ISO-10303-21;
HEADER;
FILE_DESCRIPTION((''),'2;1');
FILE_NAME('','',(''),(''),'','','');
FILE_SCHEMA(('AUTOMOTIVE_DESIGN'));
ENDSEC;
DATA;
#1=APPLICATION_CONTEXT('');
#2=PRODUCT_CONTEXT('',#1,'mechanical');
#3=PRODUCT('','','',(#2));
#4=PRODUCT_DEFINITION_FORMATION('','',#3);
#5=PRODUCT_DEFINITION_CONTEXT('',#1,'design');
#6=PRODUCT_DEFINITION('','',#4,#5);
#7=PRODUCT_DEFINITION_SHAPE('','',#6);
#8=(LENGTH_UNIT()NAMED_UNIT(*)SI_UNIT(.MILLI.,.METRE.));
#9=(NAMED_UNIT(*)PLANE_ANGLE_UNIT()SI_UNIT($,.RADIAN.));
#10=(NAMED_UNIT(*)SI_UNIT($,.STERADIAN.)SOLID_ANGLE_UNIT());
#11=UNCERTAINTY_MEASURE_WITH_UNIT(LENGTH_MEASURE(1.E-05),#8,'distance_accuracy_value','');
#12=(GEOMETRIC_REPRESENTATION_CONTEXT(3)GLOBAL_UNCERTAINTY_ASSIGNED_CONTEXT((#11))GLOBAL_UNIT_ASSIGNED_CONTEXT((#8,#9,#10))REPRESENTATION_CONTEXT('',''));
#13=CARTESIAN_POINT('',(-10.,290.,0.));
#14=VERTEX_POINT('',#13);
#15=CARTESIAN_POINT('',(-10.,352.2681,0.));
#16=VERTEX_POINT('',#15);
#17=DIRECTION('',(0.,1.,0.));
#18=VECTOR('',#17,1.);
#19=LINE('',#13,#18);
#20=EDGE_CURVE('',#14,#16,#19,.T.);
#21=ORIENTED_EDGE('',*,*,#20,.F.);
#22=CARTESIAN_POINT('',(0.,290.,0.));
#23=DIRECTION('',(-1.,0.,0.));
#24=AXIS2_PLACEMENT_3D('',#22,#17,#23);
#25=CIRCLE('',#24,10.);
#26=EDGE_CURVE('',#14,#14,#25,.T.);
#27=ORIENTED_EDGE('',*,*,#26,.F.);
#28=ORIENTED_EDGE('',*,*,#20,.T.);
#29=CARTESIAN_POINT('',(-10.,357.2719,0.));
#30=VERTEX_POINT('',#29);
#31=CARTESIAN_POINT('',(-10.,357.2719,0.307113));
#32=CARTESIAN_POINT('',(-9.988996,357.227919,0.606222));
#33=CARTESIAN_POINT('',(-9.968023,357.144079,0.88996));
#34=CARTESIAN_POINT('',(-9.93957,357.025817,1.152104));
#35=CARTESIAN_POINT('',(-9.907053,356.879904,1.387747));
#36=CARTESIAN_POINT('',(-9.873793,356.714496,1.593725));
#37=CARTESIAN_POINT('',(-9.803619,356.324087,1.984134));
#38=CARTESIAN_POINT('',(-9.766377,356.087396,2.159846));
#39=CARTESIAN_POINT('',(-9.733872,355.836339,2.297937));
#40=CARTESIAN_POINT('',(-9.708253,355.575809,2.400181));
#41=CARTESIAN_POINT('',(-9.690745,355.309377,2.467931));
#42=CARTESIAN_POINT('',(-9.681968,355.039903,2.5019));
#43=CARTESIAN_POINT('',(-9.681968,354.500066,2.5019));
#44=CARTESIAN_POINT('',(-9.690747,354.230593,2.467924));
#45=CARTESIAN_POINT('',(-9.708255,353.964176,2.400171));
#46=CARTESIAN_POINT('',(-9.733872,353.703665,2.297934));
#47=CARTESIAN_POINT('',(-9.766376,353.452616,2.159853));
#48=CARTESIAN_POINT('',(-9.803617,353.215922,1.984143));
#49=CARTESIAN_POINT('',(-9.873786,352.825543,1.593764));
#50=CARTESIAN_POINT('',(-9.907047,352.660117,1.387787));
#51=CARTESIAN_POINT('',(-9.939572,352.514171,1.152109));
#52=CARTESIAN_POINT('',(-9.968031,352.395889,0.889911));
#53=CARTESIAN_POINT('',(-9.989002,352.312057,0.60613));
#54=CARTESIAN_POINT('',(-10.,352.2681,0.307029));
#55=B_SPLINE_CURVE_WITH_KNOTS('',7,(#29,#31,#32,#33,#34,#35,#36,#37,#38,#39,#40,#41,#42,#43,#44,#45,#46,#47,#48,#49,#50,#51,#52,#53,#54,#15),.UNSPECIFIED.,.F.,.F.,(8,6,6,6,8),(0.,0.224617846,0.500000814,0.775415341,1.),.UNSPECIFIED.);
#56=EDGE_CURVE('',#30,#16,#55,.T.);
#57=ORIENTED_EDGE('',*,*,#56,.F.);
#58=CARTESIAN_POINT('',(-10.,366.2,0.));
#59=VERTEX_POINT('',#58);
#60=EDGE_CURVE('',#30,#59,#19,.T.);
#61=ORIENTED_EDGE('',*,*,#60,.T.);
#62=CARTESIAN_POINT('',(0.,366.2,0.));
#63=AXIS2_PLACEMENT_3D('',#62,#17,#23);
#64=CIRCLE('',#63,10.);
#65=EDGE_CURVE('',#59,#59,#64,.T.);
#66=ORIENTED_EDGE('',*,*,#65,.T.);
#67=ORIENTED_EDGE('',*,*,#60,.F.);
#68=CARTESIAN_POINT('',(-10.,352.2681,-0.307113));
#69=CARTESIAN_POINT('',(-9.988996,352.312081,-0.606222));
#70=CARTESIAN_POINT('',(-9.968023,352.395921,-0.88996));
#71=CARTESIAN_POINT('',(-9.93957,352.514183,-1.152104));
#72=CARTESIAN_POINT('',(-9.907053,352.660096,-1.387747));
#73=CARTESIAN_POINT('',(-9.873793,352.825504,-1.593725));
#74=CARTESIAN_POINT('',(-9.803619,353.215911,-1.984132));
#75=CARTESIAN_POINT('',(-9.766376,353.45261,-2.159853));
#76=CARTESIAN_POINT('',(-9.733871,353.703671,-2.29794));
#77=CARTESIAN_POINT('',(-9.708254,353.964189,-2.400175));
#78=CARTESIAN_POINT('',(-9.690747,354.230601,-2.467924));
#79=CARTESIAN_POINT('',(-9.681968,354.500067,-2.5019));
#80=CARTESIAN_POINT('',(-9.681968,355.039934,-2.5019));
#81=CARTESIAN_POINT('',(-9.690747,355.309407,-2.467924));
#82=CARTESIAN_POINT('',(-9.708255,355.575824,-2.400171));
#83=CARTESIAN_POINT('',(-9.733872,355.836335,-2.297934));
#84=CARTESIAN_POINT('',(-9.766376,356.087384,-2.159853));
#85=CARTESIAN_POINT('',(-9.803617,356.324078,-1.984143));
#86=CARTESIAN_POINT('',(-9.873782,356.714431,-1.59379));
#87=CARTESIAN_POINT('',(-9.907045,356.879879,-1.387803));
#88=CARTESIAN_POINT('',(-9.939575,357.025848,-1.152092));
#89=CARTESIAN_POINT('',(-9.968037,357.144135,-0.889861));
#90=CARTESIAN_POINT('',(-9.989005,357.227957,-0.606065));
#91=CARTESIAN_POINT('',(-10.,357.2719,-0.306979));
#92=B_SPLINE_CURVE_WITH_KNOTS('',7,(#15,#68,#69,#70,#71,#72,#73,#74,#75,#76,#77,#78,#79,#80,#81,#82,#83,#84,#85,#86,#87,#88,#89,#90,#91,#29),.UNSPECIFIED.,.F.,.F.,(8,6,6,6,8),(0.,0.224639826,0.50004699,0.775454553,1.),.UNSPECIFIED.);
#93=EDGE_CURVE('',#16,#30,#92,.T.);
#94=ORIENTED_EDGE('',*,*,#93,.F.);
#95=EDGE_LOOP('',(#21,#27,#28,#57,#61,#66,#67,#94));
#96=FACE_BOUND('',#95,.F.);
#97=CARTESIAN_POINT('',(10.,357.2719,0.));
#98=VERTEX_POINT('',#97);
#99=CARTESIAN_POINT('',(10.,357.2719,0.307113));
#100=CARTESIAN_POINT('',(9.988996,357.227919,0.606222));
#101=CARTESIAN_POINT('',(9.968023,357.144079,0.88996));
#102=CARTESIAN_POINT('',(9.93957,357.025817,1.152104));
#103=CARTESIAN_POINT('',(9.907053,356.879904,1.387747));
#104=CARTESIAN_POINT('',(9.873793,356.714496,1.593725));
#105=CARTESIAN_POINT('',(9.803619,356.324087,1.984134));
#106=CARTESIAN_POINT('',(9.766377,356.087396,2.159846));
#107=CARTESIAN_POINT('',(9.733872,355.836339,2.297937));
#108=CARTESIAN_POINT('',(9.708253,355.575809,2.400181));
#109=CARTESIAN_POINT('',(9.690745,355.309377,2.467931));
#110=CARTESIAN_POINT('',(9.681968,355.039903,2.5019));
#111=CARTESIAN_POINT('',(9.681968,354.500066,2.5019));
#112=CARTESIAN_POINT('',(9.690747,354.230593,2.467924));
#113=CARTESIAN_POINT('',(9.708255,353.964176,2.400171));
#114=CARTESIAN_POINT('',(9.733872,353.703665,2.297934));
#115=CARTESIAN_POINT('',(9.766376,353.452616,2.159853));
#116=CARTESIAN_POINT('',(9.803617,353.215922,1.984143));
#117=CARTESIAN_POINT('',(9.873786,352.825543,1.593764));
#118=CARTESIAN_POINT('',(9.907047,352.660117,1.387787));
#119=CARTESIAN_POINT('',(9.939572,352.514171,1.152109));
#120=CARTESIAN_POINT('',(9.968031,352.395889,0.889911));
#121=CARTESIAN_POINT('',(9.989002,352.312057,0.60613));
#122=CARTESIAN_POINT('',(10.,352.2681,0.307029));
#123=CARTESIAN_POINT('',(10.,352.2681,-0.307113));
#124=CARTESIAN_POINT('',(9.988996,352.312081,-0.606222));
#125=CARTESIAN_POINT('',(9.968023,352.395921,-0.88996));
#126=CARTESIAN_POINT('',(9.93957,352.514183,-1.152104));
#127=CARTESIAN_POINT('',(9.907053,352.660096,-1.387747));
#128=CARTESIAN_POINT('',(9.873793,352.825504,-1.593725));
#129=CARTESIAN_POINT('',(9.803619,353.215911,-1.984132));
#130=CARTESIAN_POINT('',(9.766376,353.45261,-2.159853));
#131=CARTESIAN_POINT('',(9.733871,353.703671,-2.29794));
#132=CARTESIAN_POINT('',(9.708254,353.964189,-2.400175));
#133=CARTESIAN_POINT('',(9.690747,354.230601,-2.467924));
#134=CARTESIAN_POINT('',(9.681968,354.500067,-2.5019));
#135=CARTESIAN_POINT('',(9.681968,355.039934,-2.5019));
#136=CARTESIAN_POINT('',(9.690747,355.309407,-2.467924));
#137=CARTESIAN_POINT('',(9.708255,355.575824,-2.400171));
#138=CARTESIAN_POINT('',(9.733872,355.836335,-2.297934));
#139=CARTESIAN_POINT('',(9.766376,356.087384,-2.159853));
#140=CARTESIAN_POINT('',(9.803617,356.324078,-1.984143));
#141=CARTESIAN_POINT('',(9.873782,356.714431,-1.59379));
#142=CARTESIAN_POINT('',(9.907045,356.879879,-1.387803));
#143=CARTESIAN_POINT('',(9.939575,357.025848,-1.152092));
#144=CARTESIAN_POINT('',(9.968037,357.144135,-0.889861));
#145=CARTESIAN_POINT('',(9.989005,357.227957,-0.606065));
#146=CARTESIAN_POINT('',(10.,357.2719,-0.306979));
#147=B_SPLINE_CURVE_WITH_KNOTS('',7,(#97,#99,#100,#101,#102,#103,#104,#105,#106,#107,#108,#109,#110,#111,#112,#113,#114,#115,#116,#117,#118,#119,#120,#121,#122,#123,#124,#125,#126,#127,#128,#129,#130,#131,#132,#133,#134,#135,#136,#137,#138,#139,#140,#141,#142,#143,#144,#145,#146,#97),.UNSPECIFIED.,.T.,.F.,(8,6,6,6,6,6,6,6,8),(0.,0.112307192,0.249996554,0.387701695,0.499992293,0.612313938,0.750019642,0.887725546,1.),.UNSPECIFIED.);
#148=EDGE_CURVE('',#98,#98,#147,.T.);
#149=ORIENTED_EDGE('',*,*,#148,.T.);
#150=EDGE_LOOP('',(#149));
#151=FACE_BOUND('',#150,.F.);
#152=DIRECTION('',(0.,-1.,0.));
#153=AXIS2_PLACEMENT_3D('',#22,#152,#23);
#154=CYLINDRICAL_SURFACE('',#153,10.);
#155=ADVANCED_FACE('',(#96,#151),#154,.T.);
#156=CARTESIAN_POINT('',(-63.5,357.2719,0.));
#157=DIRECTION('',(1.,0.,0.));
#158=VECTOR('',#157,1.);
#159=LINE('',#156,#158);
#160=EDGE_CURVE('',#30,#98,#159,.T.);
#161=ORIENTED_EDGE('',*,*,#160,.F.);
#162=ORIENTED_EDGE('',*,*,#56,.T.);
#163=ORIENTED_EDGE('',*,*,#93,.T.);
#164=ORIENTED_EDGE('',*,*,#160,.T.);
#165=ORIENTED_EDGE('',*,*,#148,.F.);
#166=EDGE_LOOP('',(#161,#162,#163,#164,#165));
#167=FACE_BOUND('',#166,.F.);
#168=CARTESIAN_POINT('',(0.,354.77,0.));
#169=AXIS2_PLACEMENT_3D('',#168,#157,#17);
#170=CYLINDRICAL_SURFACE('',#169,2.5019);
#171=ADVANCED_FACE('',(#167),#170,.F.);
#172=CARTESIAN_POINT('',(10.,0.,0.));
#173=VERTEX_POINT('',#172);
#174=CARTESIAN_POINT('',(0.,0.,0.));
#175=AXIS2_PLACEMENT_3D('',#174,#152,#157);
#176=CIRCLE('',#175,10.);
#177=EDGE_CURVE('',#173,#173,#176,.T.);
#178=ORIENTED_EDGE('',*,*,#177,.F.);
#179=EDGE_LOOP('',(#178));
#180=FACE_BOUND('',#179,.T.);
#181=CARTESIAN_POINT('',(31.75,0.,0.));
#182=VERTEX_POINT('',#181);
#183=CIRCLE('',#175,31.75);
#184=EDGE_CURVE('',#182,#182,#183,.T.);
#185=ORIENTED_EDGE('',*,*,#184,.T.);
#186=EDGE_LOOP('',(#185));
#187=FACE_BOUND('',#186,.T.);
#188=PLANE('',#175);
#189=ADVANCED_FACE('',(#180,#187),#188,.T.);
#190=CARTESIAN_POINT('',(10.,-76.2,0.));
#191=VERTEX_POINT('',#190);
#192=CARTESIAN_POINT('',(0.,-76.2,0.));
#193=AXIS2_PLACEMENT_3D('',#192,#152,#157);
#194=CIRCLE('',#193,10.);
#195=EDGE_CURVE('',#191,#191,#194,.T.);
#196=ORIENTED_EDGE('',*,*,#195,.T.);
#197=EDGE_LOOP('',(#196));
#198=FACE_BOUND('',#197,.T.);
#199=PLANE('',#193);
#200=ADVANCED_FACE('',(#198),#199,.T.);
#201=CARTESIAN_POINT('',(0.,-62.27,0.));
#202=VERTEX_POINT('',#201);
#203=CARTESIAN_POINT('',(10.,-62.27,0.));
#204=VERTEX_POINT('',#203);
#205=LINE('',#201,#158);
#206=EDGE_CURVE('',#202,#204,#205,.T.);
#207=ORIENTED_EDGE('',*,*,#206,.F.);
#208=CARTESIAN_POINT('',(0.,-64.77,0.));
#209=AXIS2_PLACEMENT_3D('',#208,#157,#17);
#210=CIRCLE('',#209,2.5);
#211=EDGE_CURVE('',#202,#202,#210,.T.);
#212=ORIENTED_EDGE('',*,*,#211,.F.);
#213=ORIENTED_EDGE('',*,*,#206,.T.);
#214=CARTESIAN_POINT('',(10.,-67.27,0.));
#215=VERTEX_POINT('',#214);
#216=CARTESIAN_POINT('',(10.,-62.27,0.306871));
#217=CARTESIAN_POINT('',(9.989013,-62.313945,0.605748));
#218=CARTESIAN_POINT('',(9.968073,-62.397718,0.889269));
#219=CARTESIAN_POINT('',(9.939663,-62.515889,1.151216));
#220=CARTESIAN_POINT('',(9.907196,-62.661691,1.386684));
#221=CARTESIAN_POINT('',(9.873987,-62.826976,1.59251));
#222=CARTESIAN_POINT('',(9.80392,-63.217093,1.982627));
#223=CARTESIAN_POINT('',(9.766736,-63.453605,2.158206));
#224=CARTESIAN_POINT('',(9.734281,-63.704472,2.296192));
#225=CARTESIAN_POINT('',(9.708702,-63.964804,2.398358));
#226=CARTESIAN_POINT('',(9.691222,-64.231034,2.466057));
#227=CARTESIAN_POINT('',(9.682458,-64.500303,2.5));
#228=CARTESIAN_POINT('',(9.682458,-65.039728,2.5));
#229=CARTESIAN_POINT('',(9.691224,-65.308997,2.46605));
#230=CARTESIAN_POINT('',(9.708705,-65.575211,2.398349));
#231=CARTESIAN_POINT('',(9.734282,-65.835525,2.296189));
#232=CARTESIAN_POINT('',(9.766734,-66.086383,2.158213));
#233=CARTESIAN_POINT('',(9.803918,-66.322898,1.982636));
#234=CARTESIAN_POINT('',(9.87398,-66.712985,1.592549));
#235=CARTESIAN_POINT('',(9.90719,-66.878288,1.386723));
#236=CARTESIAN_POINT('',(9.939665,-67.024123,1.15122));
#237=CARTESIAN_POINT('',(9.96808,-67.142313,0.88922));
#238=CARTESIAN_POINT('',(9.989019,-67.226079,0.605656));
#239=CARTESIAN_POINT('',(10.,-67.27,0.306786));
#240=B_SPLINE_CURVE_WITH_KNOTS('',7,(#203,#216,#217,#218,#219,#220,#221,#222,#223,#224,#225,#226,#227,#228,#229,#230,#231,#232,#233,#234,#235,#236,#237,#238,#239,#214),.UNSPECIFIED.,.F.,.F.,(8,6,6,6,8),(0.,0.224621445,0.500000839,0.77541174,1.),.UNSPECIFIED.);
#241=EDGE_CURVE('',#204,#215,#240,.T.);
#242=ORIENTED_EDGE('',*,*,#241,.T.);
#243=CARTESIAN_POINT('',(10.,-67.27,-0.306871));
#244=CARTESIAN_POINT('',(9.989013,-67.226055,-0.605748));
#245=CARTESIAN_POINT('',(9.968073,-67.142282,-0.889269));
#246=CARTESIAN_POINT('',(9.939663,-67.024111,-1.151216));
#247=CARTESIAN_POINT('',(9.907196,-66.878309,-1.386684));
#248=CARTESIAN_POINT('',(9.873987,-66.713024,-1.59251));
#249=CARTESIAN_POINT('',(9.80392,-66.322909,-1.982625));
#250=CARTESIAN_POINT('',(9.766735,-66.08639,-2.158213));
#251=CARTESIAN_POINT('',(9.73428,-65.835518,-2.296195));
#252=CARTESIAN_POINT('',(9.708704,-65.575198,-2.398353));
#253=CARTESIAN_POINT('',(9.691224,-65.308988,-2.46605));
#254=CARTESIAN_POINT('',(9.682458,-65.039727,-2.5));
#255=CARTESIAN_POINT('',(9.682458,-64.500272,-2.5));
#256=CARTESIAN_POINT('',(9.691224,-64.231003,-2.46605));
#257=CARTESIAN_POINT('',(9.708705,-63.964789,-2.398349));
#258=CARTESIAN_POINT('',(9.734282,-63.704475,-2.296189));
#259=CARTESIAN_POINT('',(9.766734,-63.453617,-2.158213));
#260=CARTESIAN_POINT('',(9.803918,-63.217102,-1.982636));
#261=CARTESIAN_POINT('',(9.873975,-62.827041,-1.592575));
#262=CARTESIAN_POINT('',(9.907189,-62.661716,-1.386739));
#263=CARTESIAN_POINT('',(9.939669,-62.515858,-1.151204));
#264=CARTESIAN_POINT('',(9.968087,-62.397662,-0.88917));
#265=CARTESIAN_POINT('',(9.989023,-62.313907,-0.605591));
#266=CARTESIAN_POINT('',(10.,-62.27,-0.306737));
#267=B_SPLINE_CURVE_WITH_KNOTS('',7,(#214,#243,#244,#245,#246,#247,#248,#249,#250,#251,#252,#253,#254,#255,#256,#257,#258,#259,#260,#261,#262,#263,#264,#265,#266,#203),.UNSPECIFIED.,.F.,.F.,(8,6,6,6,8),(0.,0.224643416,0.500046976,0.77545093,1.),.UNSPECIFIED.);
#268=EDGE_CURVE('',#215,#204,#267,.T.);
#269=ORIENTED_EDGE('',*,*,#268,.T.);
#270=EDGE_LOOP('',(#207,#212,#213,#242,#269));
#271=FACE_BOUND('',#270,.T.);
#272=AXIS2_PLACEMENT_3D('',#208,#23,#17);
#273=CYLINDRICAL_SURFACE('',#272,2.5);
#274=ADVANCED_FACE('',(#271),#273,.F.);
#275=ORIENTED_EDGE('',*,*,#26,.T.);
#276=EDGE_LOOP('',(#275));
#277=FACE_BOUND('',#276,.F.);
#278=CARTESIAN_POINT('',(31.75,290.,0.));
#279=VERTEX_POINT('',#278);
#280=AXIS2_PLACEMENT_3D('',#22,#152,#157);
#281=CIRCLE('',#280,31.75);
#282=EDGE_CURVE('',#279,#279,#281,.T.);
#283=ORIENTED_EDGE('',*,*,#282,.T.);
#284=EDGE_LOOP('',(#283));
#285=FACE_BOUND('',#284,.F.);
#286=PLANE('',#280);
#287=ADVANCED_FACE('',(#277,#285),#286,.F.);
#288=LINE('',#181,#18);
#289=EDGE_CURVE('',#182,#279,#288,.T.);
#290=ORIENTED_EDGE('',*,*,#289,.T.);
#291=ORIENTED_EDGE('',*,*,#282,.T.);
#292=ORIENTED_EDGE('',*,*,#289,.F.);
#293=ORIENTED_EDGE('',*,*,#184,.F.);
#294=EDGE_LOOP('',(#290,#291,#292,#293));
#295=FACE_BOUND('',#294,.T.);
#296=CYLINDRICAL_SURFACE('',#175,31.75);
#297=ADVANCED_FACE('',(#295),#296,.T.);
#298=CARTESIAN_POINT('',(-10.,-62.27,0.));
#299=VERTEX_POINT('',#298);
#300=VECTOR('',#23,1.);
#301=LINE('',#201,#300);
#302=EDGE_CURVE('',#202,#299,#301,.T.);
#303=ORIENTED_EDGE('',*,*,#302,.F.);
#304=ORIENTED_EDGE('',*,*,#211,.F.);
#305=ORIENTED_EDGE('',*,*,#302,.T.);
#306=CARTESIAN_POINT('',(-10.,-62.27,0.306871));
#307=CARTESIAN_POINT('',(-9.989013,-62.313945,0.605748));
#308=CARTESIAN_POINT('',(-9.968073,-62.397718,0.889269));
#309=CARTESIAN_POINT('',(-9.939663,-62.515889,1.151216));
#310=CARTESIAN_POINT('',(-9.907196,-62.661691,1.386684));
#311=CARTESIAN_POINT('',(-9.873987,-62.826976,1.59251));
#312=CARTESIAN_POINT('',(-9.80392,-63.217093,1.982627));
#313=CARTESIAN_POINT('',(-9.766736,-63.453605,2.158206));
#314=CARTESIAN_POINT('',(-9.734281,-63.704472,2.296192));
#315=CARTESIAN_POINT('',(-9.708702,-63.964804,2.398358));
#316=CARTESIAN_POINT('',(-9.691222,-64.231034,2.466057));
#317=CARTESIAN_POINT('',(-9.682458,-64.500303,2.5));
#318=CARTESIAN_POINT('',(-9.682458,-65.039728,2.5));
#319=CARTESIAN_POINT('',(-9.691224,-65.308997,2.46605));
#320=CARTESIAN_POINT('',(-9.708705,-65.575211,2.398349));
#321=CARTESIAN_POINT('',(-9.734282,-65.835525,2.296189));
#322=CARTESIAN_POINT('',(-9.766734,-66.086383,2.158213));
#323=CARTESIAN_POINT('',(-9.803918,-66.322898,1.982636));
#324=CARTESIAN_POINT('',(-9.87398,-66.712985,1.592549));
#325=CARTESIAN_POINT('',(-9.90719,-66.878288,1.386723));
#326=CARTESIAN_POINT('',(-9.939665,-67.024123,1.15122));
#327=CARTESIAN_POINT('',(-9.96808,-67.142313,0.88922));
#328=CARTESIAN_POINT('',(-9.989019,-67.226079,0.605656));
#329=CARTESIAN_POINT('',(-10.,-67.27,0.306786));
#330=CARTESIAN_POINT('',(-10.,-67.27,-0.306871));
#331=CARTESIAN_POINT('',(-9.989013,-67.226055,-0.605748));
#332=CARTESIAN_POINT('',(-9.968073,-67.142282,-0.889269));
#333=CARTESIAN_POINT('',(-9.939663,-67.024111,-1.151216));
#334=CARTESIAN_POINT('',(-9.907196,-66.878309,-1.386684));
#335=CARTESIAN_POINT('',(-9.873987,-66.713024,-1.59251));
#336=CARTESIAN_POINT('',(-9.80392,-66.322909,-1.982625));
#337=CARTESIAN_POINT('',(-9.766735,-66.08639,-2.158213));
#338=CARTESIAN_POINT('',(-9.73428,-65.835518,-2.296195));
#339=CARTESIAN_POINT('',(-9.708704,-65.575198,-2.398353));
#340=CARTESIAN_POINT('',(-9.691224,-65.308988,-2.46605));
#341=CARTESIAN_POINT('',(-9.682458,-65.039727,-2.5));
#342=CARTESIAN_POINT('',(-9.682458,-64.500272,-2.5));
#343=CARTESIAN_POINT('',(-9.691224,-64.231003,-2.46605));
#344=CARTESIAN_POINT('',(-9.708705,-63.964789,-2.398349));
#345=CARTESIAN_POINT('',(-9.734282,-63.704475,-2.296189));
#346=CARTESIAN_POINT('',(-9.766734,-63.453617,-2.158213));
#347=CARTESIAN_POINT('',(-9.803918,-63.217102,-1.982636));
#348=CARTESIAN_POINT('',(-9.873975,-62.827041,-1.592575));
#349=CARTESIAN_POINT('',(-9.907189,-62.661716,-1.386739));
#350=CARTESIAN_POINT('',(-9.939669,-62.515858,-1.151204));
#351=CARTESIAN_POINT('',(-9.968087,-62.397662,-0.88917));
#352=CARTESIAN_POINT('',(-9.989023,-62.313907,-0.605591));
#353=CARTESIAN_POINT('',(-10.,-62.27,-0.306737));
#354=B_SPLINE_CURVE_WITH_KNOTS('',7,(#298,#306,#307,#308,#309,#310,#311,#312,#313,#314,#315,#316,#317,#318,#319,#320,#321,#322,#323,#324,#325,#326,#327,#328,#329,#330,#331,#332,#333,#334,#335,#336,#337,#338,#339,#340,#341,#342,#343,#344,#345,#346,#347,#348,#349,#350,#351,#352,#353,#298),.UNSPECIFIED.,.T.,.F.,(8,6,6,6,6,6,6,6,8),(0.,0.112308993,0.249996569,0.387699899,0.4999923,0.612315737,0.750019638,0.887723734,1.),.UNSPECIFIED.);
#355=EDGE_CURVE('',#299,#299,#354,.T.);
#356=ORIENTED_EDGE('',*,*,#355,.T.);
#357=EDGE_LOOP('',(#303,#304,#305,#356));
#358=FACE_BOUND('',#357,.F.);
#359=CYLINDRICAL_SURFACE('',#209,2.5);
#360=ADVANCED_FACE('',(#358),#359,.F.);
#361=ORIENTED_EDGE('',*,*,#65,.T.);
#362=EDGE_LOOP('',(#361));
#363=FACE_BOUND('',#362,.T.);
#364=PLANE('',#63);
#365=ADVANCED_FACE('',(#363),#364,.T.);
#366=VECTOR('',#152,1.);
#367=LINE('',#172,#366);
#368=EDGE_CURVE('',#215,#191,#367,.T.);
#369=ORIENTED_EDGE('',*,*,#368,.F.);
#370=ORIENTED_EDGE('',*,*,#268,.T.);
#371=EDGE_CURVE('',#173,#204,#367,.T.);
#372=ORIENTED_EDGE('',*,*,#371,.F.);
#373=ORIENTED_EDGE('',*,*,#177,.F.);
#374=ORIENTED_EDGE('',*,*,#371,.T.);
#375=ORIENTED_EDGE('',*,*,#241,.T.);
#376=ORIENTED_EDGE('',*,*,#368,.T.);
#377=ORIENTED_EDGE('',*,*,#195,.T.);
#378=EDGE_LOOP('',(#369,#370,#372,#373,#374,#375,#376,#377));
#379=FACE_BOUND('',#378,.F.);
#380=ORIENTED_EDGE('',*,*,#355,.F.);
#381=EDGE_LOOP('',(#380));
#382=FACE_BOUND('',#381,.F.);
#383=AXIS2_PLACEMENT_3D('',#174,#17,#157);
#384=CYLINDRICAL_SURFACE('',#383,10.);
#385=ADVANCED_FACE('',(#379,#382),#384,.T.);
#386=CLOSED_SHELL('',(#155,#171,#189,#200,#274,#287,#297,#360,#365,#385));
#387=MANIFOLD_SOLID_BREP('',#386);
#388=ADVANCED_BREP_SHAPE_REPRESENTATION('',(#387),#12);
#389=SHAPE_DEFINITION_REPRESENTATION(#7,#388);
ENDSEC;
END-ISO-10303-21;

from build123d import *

# Parameters (mm, degrees)
F0_R     = 31.75
F0_R_2   = 10
F1_DEPTH = 290
F2_DEPTH = 76.2
F3_R     = 10
F4_DEPTH = 76.2
F5_R     = 2.5
F5_R_2   = 2.5019
F6_DEPTH = 63.5


with BuildPart() as f1:
    # F0 (on Front) → F1 (new body)
    with BuildSketch(Plane.XZ):
        Circle(F0_R)
        Circle(F0_R_2, mode=Mode.SUBTRACT)
        Circle(F0_R_2)
    extrude(amount=-F1_DEPTH)

    # F0 (on Front) → F2 (join)
    with BuildSketch(Plane.XZ):
        Circle(F0_R_2)
    extrude(amount=F2_DEPTH)

    # F3 (on face) → F4 (join)
    with BuildSketch(Plane(origin=(0, 290, 0), x_dir=(-1, 0, 0), z_dir=(0, 1, 0))):
        Circle(F3_R)
    extrude(amount=F4_DEPTH)

    # F5 (on Right) → F6 (cut, symmetric)
    with BuildSketch(Plane.YZ):
        with Locations((-64.77, 0)):
            Circle(F5_R)
        with Locations((354.77, 0)):
            Circle(F5_R_2)
    extrude(amount=F6_DEPTH, both=True, mode=Mode.SUBTRACT)


solid = f1.part
